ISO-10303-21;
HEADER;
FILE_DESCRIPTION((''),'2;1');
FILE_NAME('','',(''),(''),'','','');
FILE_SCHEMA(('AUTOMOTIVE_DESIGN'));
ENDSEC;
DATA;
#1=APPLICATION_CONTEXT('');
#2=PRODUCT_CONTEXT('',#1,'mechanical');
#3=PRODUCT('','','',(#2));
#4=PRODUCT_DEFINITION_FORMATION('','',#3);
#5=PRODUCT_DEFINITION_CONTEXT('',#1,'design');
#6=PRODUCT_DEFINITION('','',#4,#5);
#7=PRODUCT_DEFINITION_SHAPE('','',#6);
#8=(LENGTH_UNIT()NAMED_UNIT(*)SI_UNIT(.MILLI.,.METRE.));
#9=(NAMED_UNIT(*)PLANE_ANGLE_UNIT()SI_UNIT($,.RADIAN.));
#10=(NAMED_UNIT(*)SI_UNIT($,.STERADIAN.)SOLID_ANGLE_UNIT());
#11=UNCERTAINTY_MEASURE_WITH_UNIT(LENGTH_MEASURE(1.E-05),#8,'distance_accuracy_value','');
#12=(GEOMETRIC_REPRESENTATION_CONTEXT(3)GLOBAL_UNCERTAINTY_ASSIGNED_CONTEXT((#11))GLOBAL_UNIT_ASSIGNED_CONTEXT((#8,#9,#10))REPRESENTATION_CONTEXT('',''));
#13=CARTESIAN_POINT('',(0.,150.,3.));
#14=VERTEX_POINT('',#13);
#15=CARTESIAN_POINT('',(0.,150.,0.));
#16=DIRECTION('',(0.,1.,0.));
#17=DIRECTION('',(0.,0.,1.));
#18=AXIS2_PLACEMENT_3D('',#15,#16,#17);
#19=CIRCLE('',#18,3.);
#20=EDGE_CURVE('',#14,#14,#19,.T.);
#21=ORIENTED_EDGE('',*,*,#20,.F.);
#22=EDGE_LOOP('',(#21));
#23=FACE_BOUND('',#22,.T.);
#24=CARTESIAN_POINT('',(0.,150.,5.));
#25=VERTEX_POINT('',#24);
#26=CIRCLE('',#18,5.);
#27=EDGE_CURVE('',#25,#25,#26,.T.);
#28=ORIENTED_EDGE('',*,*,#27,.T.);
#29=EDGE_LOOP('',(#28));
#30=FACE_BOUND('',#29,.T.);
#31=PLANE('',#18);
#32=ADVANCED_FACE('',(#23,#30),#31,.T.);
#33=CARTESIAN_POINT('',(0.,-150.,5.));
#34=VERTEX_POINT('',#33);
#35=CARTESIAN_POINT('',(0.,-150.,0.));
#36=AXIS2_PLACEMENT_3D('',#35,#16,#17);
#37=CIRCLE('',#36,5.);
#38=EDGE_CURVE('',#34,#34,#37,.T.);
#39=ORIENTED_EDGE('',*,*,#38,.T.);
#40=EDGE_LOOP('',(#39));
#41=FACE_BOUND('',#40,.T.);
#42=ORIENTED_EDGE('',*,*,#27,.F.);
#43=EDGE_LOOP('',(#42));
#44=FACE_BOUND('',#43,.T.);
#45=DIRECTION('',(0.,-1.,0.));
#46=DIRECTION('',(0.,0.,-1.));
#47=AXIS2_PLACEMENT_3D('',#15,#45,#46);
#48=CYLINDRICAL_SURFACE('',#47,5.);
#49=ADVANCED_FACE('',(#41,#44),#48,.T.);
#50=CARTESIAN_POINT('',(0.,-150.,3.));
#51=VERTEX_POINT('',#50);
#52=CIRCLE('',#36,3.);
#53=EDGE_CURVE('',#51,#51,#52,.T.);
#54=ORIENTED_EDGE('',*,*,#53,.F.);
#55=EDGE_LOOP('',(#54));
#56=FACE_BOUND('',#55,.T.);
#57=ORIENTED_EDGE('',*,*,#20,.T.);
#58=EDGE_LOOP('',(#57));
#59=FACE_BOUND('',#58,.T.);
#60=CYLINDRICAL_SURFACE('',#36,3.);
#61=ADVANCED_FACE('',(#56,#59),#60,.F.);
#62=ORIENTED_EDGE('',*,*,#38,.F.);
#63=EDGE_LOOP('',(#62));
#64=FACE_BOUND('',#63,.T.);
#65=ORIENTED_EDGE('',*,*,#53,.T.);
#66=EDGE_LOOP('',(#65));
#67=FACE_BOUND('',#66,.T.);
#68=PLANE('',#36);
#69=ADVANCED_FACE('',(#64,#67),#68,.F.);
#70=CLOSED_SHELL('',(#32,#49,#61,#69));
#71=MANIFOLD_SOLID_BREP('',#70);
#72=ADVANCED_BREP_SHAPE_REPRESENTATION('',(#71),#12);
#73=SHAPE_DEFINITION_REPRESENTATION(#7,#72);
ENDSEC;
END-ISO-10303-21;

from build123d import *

# Parameters (mm, degrees)
SKETCH_2_R          = 5
EXTRUDE_1_DEPTH     = 150
SKETCH_4_R          = 3
CUT_EXTRUDE_1_DEPTH = 301.083321762


with BuildPart() as part:
    # 草图2 → 凸台-拉伸1 (new, symmetric)
    with BuildSketch(Plane(origin=(0, 0, 0), x_dir=(1, 0, 0), z_dir=(0, 1, 0))):
        with Locations(Location((0, 0, 0), (0, 0, 270))):
            Circle(SKETCH_2_R)
    extrude(amount=EXTRUDE_1_DEPTH, both=True)

    # 草图4 → 切除-拉伸1 (cut, through all)
    with BuildSketch(Plane(origin=(0, 150, 0), x_dir=(1, 0, 0), z_dir=(0, 1, 0))):
        with Locations(Location((0, 0, 0), (0, 0, 270))):
            Circle(SKETCH_4_R)
    extrude(amount=-CUT_EXTRUDE_1_DEPTH, mode=Mode.SUBTRACT)


solid = part.part
